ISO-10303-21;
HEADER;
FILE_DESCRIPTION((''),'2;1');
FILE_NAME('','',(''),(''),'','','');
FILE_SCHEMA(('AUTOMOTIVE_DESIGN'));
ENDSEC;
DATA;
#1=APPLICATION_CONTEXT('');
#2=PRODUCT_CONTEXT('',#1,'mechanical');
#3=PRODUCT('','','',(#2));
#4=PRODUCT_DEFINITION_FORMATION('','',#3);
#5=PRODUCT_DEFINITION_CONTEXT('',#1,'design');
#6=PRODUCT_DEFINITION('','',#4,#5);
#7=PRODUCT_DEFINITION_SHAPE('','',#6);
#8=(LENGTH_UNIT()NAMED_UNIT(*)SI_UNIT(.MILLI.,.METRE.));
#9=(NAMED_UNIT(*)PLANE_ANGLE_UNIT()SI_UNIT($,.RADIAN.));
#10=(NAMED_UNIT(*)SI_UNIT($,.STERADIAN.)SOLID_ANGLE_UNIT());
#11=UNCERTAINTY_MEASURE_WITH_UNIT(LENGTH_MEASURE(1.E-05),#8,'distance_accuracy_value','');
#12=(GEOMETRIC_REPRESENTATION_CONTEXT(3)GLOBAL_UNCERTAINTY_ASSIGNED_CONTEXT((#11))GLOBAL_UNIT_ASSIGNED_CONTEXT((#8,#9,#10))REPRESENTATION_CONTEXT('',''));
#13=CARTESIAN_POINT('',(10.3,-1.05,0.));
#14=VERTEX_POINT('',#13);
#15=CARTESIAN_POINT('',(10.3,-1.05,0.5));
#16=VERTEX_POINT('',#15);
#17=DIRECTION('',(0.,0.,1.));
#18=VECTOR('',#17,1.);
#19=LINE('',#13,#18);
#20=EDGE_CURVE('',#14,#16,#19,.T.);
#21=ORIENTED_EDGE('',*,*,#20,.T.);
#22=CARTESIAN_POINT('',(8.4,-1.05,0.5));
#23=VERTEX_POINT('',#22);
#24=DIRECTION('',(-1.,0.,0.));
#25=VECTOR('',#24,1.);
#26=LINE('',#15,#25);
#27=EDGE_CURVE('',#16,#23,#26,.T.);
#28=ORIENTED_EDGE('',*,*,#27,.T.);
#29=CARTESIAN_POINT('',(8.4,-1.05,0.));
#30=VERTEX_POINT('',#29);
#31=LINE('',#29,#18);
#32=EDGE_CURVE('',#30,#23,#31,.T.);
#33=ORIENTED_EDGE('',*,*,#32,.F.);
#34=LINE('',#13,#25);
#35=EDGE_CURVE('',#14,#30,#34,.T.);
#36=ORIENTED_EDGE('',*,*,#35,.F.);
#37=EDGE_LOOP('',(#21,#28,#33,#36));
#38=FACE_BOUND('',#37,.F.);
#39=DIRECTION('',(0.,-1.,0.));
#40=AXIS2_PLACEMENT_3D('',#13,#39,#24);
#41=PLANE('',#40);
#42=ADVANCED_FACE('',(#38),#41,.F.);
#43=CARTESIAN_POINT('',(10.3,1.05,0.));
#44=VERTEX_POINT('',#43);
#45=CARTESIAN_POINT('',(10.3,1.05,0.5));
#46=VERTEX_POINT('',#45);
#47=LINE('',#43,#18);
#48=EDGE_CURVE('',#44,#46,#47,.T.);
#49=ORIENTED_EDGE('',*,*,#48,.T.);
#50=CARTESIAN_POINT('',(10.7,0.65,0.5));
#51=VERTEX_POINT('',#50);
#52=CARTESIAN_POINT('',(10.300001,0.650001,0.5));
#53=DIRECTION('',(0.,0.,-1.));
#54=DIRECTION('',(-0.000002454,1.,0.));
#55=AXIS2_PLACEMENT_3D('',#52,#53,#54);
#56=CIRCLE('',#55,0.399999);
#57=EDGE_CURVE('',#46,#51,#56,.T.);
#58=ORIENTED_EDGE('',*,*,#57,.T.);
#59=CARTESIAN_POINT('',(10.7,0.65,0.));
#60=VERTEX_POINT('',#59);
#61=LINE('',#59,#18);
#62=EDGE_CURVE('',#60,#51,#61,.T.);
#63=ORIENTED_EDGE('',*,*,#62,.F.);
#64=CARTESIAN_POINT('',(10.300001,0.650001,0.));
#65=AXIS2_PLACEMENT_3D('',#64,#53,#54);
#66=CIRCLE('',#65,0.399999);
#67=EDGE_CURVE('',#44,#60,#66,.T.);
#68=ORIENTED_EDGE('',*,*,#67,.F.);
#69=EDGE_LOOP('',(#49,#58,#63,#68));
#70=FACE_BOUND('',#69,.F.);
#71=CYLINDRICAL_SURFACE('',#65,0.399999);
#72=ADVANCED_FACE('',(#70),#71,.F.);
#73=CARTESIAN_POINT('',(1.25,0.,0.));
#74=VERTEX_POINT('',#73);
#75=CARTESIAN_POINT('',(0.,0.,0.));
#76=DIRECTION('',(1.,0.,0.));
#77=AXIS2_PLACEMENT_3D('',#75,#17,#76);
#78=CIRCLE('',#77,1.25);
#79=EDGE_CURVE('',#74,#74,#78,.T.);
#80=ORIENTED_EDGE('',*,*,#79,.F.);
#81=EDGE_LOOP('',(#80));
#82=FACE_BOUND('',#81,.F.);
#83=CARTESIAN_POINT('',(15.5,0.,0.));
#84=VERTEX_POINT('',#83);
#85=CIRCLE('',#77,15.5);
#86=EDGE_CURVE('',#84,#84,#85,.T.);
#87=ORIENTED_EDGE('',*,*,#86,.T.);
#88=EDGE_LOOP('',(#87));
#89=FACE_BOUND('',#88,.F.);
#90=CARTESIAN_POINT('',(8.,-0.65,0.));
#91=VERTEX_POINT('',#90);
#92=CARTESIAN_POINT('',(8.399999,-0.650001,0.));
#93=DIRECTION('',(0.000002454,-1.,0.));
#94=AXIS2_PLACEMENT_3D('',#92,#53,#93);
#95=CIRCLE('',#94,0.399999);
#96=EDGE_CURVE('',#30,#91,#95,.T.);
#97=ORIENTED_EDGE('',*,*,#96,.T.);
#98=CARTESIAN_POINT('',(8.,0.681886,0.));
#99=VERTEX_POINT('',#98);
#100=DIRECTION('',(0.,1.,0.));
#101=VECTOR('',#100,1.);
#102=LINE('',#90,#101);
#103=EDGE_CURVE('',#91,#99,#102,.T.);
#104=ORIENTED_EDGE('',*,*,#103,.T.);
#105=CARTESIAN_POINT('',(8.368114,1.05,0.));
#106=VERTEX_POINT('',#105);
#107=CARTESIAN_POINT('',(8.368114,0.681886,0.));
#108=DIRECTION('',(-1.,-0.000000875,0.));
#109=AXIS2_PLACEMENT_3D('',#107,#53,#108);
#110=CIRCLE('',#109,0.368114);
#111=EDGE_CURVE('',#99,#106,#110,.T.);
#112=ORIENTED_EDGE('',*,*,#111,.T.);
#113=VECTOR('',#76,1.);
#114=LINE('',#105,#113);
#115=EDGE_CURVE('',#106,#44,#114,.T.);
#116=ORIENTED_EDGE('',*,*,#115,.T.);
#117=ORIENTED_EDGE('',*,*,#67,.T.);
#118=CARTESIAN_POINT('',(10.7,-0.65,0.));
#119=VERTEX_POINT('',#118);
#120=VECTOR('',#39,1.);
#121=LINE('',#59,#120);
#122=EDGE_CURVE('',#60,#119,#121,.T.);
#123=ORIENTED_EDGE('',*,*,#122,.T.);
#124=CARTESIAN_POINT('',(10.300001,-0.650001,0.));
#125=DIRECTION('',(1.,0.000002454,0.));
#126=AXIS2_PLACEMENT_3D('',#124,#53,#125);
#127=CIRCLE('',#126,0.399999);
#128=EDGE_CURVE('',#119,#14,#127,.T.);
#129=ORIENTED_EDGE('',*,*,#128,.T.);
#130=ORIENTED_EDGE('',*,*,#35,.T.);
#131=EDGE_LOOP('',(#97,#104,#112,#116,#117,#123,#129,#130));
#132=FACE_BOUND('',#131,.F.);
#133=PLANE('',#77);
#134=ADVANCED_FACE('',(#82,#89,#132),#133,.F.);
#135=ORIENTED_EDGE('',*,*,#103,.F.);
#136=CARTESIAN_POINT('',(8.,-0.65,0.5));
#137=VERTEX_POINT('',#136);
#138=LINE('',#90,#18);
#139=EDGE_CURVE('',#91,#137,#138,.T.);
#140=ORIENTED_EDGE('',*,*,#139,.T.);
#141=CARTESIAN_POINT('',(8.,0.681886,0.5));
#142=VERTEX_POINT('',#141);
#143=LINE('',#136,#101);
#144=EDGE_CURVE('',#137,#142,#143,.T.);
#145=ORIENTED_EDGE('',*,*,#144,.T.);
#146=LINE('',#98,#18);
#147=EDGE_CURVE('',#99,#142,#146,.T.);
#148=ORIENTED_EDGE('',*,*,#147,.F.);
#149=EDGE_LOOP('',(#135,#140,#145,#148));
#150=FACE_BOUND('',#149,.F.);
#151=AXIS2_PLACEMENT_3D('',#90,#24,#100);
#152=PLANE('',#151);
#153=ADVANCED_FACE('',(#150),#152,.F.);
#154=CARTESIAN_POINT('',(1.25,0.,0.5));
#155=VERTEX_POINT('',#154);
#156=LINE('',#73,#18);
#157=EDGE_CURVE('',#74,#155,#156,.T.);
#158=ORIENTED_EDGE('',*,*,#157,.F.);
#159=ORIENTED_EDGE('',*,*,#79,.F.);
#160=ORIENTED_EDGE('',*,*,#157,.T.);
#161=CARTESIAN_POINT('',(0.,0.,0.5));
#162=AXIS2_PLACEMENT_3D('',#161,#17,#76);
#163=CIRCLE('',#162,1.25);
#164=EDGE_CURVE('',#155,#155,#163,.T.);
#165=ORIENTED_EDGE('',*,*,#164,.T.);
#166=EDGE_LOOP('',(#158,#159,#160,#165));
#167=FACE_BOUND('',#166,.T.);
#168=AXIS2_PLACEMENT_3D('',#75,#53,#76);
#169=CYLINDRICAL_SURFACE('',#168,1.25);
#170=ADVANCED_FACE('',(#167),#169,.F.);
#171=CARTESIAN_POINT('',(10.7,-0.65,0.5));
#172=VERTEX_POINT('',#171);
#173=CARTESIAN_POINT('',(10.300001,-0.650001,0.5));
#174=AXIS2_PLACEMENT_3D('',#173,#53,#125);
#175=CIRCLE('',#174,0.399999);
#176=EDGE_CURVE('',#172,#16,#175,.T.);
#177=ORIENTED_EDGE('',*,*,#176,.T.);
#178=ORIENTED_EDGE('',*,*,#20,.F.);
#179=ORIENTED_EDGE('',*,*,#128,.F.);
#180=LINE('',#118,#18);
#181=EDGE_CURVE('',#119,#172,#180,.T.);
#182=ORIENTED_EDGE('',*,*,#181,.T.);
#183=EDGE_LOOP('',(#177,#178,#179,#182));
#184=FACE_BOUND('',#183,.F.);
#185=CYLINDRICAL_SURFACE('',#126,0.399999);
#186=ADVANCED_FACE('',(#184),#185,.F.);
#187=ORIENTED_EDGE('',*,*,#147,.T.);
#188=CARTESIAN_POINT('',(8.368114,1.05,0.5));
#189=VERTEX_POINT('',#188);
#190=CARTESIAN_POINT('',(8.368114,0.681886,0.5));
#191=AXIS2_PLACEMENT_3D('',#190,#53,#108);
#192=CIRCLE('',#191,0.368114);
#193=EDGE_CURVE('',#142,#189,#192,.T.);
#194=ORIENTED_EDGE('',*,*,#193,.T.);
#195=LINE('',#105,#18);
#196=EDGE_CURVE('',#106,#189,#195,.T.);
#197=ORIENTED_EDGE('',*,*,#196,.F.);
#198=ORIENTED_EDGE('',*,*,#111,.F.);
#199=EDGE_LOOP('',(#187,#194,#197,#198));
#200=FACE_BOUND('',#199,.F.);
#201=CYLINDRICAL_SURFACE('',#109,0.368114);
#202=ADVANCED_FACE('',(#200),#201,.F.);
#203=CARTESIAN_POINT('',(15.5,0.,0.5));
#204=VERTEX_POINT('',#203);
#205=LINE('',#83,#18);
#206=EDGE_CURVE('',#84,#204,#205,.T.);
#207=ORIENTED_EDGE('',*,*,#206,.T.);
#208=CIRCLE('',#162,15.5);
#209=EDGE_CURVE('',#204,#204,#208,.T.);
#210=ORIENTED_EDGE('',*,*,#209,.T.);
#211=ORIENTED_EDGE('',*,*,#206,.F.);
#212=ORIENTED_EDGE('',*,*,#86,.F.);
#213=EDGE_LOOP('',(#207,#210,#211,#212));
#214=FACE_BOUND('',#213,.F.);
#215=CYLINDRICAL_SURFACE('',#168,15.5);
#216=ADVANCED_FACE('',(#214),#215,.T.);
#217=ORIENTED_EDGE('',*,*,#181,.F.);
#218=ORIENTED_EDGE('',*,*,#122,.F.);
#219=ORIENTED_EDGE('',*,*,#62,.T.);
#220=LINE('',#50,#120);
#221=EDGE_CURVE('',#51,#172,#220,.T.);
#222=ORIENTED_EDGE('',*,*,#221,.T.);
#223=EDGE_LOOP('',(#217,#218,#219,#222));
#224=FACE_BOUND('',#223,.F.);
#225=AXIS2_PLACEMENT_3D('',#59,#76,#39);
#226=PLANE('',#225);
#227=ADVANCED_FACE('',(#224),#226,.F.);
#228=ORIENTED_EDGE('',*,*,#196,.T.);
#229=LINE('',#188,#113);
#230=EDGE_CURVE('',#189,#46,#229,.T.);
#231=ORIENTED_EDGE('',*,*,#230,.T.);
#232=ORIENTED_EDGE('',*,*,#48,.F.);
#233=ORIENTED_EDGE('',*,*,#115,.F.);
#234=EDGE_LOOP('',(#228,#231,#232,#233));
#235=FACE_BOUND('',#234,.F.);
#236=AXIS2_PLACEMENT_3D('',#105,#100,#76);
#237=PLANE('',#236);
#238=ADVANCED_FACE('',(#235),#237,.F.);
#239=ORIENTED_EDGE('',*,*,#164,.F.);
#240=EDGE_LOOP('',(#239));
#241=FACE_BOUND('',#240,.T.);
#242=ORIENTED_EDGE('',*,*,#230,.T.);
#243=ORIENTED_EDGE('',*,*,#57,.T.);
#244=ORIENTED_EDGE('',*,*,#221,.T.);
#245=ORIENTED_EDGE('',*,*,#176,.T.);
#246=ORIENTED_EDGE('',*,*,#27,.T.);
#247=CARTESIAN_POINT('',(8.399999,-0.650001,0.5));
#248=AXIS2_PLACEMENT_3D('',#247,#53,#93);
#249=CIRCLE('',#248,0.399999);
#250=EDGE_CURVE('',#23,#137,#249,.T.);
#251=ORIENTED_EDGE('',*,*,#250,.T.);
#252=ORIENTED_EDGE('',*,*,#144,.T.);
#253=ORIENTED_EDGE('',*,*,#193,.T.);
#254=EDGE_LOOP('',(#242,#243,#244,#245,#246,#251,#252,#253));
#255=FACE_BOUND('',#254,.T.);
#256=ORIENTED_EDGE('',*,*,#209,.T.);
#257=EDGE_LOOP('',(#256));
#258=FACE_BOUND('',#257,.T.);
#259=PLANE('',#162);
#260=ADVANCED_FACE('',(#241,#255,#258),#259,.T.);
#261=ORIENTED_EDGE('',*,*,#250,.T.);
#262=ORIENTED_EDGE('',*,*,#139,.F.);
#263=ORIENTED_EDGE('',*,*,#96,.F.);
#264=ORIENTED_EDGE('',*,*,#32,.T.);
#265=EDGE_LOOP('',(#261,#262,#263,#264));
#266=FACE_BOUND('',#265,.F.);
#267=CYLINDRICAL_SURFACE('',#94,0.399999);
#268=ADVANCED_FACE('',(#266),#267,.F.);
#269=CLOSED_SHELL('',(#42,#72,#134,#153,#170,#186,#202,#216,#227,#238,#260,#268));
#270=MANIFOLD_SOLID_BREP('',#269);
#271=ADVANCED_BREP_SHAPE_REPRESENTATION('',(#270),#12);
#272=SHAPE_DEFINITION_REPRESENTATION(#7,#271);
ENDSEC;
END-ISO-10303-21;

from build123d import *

# Parameters (mm, degrees)
F0_R     = 15.5
F0_R_2   = 1.25
F1_DEPTH = 0.5


with BuildPart() as f1:
    # F0 (on Top) → F1 (new body)
    with BuildSketch(Plane.XY):
        Circle(F0_R)
        Circle(F0_R_2, mode=Mode.SUBTRACT)
        with BuildLine():
            ThreePointArc((8, 0.681886), (8.107818, 0.942182), (8.368114, 1.05))
            Line((8.368114, 1.05), (10.3, 1.05))
            ThreePointArc((10.3, 1.05), (10.582843, 0.932843), (10.7, 0.65))
            Line((10.7, 0.65), (10.7, -0.65))
            ThreePointArc((10.7, -0.65), (10.582843, -0.932843), (10.3, -1.05))
            Line((10.3, -1.05), (8.4, -1.05))
            ThreePointArc((8.4, -1.05), (8.117157, -0.932843), (8, -0.65))
            Line((8, -0.65), (8, 0.681886))
        make_face(mode=Mode.SUBTRACT)
    extrude(amount=F1_DEPTH)


solid = f1.part
